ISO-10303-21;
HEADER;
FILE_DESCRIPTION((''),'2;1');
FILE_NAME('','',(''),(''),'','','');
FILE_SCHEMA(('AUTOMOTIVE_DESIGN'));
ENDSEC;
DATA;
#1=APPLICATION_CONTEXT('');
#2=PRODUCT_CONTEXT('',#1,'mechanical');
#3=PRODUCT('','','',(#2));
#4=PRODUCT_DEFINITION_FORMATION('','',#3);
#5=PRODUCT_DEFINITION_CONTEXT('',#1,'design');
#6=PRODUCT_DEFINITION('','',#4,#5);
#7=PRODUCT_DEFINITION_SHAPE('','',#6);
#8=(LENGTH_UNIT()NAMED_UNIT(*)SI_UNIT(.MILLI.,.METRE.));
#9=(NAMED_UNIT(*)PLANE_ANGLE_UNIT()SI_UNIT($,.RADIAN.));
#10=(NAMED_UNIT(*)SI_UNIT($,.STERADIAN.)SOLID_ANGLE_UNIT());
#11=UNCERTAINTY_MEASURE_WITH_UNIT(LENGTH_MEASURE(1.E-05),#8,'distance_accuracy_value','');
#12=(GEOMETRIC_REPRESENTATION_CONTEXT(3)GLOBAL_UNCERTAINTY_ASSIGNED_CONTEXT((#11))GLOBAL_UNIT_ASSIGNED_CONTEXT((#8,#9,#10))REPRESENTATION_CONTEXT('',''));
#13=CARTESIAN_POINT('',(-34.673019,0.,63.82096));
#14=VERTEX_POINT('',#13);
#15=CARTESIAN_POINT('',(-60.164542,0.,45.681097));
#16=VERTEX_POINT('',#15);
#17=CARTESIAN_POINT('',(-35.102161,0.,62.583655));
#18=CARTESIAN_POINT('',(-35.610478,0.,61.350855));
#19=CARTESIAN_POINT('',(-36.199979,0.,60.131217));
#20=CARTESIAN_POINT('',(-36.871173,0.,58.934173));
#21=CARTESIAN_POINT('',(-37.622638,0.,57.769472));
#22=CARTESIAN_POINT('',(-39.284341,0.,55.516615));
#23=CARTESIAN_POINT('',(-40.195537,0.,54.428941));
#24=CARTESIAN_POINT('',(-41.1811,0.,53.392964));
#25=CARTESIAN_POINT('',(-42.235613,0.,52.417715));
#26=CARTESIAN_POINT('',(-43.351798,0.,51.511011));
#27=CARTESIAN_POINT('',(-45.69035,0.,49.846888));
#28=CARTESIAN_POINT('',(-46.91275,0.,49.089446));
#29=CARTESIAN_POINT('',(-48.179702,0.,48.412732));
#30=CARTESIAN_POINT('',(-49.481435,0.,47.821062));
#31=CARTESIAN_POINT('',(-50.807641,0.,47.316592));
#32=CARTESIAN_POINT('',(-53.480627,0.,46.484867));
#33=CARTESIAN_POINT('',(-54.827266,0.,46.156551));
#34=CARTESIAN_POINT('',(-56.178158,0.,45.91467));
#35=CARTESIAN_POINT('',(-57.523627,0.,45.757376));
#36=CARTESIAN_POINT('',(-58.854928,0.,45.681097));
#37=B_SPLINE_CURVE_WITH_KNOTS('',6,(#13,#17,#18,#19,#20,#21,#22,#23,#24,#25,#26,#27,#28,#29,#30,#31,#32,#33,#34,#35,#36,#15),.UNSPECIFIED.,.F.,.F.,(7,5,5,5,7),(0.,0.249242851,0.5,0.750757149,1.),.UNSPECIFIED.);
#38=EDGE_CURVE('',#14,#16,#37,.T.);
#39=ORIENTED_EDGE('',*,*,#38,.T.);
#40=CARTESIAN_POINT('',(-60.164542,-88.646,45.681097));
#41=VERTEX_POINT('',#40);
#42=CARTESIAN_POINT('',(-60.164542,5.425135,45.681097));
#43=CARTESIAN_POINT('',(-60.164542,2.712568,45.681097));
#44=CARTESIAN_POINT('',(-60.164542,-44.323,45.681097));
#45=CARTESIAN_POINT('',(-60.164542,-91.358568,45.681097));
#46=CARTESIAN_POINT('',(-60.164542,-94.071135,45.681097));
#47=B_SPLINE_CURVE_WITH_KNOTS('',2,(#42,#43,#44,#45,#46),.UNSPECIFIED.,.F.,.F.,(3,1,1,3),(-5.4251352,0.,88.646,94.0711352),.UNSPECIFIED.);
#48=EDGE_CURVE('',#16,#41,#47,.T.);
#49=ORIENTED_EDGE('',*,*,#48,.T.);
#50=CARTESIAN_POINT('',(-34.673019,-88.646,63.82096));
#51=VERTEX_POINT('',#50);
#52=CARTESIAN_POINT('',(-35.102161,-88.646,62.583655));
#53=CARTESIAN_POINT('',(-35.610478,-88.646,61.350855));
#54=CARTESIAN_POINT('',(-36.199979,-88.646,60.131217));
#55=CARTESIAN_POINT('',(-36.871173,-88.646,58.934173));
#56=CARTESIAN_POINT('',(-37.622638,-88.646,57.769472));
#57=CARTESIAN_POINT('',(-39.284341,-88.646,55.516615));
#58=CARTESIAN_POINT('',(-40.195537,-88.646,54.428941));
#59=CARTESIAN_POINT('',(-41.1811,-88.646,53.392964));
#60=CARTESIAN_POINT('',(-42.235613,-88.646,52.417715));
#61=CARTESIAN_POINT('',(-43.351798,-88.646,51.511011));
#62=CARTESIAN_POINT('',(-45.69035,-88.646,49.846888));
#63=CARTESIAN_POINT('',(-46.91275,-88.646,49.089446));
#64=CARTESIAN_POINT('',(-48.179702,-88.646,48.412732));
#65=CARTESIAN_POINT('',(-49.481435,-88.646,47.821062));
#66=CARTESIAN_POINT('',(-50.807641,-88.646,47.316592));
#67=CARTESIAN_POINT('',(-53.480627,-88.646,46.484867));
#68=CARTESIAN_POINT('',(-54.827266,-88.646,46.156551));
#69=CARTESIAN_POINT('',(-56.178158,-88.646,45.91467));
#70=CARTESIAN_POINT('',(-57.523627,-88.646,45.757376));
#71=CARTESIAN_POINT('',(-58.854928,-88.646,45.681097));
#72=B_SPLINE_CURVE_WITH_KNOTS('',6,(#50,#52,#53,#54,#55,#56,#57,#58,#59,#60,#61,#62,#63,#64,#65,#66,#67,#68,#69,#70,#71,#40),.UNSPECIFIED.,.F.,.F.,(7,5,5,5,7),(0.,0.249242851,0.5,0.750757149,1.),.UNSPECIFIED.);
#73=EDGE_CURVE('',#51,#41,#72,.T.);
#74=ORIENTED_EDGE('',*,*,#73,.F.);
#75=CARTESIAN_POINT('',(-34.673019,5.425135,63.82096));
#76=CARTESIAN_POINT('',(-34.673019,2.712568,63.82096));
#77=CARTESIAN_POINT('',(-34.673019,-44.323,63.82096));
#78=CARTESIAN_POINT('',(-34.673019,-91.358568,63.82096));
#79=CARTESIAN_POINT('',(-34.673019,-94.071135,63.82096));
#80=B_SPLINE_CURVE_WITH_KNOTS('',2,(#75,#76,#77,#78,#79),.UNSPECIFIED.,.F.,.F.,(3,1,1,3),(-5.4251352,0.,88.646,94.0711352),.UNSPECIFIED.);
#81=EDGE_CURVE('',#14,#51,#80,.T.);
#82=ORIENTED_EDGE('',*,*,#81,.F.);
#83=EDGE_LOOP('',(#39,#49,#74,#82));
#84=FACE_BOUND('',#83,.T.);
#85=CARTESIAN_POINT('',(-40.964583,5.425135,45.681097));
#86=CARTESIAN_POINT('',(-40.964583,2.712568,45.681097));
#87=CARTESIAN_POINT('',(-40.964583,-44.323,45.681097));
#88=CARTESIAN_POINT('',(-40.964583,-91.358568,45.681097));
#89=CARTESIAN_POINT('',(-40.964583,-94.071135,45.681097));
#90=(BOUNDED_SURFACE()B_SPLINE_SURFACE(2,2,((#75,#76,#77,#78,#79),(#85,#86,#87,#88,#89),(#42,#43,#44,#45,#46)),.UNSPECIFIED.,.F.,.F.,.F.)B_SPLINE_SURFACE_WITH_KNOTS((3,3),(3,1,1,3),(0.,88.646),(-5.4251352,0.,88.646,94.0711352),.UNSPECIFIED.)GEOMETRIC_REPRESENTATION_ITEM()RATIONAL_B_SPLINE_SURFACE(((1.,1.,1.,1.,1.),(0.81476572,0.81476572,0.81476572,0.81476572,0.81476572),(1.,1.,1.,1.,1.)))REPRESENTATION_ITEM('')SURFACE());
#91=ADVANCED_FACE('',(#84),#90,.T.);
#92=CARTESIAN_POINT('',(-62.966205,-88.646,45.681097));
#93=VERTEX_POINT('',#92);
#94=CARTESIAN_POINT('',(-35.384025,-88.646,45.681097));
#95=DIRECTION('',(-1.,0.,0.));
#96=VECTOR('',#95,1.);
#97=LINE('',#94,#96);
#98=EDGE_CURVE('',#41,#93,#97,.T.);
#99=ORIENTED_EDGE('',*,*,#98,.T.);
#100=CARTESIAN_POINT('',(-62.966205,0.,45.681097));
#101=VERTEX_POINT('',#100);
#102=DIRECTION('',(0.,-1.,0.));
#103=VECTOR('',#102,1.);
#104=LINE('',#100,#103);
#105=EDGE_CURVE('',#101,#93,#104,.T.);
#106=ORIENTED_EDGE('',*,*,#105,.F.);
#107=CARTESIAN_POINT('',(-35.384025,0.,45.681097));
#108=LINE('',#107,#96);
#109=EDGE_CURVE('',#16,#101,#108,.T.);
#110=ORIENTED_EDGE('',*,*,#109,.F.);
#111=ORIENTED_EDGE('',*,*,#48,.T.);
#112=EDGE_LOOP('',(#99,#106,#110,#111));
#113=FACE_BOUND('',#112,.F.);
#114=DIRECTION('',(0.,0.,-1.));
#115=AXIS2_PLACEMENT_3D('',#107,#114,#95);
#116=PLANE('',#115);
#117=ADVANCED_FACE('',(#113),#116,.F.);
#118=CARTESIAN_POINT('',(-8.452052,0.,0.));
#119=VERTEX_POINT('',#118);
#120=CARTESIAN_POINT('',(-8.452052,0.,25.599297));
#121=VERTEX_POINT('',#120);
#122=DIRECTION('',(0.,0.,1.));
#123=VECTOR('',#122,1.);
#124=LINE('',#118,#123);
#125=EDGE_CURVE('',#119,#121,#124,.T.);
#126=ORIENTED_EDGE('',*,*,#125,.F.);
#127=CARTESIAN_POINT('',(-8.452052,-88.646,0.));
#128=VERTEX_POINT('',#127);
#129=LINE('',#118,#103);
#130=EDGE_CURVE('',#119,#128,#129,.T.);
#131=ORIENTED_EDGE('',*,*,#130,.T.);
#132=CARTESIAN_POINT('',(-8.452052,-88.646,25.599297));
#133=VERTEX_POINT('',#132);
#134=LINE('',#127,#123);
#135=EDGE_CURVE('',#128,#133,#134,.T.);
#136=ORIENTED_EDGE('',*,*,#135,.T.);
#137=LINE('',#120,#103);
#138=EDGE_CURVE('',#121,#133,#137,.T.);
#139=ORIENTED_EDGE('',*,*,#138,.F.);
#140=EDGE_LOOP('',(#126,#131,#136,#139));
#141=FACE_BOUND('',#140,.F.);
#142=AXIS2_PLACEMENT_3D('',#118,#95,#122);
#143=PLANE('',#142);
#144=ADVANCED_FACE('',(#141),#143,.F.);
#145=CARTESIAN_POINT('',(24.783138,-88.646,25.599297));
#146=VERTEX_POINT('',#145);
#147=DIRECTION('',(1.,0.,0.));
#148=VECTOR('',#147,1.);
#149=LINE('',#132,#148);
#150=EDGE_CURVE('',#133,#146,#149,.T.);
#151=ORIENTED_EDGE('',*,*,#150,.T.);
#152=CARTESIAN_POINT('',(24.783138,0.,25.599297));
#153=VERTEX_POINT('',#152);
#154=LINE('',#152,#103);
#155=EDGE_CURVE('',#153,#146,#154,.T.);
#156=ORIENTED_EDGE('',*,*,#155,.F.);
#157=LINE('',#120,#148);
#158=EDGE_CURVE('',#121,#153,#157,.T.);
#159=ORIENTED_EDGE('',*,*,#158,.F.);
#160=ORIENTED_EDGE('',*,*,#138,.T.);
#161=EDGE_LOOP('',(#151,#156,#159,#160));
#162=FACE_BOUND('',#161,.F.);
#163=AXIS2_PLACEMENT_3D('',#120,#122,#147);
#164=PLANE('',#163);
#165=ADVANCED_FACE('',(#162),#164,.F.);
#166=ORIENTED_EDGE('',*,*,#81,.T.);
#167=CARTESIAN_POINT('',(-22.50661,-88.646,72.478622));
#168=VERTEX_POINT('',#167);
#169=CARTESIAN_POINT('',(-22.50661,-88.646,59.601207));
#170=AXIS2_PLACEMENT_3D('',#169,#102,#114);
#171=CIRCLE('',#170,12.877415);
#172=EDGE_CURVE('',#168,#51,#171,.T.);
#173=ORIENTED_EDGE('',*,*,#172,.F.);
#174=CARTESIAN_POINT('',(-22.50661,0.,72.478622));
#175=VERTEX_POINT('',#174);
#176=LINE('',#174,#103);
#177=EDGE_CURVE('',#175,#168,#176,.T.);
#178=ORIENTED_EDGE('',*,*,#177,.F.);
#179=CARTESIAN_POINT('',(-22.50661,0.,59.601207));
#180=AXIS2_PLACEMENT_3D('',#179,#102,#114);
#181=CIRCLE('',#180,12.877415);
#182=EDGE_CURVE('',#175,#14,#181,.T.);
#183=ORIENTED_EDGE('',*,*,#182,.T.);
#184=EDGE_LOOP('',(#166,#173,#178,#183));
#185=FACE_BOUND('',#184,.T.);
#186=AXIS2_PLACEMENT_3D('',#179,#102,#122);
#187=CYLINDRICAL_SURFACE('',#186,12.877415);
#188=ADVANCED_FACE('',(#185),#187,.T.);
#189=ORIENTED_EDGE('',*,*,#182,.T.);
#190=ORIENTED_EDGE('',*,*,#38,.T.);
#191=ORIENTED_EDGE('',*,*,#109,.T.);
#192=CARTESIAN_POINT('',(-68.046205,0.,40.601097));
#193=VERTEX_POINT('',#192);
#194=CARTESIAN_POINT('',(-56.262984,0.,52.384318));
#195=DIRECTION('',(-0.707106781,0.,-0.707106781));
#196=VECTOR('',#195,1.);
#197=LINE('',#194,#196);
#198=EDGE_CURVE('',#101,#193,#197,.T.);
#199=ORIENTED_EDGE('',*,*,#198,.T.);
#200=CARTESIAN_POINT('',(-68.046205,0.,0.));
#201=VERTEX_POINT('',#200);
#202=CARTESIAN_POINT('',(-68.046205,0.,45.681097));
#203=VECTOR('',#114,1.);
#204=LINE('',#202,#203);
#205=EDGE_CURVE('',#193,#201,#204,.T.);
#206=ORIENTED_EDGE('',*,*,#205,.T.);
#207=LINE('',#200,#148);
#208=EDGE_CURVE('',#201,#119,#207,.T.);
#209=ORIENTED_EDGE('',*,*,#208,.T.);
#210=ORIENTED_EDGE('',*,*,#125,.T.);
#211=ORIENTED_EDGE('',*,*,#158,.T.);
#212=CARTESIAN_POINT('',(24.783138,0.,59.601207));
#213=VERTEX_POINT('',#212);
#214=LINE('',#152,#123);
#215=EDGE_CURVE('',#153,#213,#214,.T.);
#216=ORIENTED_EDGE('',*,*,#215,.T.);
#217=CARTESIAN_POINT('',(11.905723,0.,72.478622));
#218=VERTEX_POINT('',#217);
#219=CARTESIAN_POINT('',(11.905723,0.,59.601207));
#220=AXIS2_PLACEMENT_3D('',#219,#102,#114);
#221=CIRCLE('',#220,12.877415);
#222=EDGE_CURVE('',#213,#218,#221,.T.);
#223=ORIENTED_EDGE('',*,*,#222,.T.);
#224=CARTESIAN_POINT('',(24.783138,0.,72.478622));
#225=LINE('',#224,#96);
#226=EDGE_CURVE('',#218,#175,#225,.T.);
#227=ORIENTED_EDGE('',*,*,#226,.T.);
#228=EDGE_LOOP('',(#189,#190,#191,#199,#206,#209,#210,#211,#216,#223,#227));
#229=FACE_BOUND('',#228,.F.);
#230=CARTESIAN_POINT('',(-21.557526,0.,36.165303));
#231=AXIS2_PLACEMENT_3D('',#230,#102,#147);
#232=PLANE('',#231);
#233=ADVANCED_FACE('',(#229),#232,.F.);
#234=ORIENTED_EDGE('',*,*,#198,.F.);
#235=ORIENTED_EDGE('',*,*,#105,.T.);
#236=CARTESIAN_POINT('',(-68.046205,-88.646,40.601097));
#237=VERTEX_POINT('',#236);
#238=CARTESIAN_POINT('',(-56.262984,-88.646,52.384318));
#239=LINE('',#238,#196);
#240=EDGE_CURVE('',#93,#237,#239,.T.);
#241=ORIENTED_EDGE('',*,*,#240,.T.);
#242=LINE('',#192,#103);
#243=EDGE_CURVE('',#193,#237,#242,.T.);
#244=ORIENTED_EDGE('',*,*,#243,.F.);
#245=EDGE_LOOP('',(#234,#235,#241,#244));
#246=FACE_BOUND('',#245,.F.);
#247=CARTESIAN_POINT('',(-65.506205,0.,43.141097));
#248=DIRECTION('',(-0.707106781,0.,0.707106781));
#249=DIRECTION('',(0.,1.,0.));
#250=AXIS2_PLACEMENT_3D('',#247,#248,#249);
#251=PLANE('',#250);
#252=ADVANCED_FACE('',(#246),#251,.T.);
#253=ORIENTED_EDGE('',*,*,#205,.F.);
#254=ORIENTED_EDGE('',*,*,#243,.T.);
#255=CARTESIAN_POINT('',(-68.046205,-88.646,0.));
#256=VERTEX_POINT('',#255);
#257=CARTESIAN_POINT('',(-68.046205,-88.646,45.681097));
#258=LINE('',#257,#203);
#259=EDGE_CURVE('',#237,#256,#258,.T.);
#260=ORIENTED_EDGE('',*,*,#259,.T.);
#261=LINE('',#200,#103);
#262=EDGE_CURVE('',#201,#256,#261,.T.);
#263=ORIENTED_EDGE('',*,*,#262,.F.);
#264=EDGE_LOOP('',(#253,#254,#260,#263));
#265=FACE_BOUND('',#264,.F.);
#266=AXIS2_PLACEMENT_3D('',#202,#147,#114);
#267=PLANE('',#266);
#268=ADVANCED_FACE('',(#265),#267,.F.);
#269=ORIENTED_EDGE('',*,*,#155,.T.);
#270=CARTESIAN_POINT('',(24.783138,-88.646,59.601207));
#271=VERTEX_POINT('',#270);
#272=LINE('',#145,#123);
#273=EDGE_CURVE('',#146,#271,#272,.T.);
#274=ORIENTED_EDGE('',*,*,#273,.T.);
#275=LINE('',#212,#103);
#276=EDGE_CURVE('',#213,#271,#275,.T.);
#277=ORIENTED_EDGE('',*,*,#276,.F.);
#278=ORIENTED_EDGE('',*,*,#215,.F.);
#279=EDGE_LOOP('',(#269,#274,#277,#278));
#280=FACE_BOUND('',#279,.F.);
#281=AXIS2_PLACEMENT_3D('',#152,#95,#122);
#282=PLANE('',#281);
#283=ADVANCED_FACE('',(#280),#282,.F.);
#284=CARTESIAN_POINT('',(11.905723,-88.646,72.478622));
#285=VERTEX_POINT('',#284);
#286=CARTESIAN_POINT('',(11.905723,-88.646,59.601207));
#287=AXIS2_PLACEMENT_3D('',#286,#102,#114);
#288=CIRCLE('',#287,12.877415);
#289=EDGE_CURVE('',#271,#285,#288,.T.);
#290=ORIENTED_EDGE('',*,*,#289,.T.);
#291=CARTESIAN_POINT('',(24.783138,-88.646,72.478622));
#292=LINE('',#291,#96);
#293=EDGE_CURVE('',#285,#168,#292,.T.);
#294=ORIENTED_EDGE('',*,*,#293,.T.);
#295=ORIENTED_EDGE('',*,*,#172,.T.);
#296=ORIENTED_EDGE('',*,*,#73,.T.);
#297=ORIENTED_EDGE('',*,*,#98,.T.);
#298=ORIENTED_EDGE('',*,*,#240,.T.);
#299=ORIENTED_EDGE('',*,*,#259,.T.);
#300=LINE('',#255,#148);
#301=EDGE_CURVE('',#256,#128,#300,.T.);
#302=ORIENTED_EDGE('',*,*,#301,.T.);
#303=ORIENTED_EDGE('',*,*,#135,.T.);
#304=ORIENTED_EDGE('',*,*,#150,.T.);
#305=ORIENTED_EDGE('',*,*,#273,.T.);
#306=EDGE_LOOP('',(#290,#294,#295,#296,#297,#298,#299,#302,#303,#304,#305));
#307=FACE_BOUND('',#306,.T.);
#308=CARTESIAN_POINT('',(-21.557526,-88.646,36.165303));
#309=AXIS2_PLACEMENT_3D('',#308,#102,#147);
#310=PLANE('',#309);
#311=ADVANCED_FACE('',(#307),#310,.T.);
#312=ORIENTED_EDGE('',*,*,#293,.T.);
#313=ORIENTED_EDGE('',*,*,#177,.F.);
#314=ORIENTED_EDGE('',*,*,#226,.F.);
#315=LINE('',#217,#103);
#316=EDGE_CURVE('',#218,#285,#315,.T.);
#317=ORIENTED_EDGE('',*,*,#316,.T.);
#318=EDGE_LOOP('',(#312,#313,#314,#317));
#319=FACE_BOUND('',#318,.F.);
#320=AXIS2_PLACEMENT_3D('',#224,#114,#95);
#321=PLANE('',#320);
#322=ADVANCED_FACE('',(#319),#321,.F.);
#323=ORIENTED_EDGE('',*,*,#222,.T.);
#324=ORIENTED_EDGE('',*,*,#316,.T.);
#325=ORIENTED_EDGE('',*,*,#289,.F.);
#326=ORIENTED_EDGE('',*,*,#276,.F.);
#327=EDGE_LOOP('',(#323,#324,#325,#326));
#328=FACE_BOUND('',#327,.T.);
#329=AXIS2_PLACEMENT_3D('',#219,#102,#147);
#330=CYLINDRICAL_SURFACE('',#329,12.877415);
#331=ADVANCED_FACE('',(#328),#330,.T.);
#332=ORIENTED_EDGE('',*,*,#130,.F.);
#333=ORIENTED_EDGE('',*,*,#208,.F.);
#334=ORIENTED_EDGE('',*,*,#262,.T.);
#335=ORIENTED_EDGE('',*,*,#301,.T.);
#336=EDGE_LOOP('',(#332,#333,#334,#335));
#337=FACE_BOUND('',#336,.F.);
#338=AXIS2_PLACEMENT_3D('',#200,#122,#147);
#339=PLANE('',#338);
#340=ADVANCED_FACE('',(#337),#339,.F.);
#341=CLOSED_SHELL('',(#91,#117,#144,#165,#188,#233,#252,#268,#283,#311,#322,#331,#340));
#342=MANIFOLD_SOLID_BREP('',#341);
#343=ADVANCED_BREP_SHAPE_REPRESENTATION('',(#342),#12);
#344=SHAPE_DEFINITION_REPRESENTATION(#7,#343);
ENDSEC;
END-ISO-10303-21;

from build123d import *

# Parameters (mm, degrees)
F1_DEPTH = 88.646
F2_R     = 12.877415
F3_R     = 26.981251
F4_SIZE  = 5.08


with BuildPart() as f1:
    # F0 (on Front) → F1 (new body)
    with BuildSketch(Plane.XZ):
        Polygon((-35.384025, 45.681097), (-68.046205, 45.681097), (-68.046205, 0), (-8.452052, 0), (-8.452052, 25.599297), (24.783138, 25.599297), (24.783138, 72.478622), (-35.384025, 72.478622), align=None)
    extrude(amount=F1_DEPTH)

    # F2
    f2_edges = [f1.edges().sort_by_distance(p)[0] for p in [
        (24.783138, -44.323, 72.478622),
        (-35.384025, -44.323, 72.478622),
    ]]
    fillet(f2_edges, radius=F2_R)

    # F3
    f3_edges = [f1.edges().sort_by_distance(p)[0] for p in [
        (-35.384025, -44.323, 45.681097),
    ]]
    fillet(f3_edges, radius=F3_R)

    # F4
    f4_edges = [f1.edges().sort_by_distance(p)[0] for p in [
        (-68.046205, -44.323, 45.681097),
    ]]
    chamfer(f4_edges, length=F4_SIZE)


solid = f1.part
